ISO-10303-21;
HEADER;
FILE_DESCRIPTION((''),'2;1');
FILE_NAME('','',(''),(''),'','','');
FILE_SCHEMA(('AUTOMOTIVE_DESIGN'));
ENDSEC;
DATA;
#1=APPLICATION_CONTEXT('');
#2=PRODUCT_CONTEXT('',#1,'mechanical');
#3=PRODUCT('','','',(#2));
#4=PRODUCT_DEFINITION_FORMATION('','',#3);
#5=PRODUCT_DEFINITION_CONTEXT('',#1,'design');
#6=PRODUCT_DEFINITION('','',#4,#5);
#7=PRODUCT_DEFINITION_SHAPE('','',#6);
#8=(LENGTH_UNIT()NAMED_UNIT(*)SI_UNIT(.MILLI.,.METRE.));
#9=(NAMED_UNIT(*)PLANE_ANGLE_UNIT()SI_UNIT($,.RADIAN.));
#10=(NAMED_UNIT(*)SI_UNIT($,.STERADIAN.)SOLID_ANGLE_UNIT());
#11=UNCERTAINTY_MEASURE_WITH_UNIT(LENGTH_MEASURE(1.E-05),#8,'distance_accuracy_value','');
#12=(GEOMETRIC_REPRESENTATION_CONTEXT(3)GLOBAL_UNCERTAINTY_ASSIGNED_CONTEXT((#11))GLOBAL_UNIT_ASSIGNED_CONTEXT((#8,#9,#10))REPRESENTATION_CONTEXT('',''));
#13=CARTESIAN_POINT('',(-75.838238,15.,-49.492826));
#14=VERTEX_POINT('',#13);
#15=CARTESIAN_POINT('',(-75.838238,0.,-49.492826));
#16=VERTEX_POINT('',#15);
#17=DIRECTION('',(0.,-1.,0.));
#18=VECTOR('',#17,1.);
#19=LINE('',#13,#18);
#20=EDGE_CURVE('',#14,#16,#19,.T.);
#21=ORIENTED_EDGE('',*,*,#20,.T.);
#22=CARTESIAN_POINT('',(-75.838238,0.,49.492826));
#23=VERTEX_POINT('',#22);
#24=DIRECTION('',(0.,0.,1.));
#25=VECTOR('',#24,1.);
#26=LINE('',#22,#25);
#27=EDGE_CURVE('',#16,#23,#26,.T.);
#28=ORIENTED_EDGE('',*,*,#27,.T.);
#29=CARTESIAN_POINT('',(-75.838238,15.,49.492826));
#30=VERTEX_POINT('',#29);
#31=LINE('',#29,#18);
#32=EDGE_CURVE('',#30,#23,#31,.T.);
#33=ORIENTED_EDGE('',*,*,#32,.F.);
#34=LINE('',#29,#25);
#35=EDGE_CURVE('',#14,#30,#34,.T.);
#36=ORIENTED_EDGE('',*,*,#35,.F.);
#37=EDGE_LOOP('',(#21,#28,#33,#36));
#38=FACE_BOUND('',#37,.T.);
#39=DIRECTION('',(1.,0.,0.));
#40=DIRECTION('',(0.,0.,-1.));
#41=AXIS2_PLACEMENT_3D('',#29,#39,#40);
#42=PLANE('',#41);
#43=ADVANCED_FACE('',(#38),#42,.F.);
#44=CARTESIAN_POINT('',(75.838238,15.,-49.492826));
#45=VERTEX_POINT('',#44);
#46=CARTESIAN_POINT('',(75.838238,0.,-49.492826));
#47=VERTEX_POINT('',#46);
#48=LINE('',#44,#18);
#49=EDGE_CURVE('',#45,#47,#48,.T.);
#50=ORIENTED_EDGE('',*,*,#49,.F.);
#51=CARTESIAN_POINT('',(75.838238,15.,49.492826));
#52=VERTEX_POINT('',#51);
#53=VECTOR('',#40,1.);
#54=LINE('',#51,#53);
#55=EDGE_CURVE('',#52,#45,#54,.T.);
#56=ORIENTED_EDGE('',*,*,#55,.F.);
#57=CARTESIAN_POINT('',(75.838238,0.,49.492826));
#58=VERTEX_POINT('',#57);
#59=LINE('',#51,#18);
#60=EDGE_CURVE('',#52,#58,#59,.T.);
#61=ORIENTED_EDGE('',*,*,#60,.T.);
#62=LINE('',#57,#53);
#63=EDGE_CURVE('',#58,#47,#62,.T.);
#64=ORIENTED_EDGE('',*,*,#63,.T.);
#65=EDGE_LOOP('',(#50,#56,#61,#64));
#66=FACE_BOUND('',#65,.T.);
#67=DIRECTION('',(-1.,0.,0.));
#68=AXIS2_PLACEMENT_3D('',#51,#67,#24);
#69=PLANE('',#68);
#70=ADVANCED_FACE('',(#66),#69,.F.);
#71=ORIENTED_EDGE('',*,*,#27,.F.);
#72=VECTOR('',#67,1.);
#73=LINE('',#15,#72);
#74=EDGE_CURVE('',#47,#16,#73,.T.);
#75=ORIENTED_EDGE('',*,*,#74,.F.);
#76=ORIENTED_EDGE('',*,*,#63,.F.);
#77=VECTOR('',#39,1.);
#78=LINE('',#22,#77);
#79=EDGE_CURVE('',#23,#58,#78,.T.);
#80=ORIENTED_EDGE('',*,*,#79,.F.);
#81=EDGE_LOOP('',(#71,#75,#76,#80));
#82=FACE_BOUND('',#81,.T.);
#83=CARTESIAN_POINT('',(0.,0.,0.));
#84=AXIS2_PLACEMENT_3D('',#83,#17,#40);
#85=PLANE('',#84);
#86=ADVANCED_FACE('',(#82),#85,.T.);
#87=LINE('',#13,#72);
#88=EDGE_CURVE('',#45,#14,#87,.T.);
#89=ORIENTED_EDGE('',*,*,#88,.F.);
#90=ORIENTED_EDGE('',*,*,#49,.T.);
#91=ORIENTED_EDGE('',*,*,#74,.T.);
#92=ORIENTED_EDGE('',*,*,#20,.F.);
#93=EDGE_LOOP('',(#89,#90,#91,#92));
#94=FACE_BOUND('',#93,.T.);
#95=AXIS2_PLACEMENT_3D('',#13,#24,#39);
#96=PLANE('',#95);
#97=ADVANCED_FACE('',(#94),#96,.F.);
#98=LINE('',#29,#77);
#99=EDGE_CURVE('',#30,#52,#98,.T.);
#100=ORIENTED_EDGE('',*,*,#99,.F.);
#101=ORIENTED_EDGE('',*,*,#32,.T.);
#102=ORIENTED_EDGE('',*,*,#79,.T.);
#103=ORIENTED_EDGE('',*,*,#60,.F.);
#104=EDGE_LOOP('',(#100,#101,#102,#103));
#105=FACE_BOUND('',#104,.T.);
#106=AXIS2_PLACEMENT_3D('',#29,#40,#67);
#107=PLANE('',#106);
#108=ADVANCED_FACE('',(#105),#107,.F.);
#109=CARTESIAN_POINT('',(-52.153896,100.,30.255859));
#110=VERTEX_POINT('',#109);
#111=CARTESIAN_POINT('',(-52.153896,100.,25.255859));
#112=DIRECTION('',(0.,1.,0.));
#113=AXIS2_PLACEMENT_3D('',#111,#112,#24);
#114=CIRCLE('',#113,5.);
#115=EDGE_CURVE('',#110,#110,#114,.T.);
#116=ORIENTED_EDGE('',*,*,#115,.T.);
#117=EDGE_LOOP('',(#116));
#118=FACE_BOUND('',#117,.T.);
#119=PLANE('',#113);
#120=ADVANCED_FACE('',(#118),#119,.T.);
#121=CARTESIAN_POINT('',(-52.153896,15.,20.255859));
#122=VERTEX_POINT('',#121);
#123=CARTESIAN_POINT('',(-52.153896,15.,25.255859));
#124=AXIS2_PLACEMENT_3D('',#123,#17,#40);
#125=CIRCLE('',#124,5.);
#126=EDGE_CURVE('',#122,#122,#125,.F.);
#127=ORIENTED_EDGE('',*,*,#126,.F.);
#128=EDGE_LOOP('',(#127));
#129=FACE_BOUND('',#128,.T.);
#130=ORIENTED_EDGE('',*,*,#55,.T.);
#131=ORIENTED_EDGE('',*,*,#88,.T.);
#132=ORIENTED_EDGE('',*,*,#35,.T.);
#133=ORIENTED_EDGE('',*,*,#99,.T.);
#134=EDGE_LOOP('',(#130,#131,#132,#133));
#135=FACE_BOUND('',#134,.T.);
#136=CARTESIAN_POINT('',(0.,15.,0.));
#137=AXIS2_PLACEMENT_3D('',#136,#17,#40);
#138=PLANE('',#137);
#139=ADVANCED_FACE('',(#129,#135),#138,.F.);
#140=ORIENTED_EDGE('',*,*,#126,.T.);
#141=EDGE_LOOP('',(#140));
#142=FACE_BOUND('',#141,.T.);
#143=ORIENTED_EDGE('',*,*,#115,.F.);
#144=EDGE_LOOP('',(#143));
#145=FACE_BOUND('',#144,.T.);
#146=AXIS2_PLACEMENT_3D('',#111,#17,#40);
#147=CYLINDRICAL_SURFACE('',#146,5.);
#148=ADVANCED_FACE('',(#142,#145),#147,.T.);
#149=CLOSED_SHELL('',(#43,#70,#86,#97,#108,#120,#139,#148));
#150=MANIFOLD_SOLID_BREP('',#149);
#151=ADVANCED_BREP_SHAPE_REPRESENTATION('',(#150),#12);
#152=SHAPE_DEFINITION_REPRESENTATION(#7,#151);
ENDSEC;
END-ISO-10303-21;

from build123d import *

# Parameters (mm, degrees)
SKETCH1_W           = 151.67647627
SKETCH1_H           = 98.985652184
BOSS_EXTRUDE1_DEPTH = 15
SKETCH2_R           = 5
BOSS_EXTRUDE2_DEPTH = 85


with BuildPart() as part:
    # Sketch1 → Boss-Extrude1 (new body)
    with BuildSketch(Plane(origin=(0, 0, 0), x_dir=(1, 0, 0), z_dir=(0, 1, 0))):
        Rectangle(SKETCH1_W, SKETCH1_H)
    extrude(amount=BOSS_EXTRUDE1_DEPTH)

    # Sketch2 → Boss-Extrude2 (add)
    with BuildSketch(Plane(origin=(0, 15, 0), x_dir=(1, 0, 0), z_dir=(0, 1, 0))):
        with Locations(Location((-52.153895678, -25.255858921, 0), (0, 0, 90))):
            Circle(SKETCH2_R)
    extrude(amount=BOSS_EXTRUDE2_DEPTH)


solid = part.part
